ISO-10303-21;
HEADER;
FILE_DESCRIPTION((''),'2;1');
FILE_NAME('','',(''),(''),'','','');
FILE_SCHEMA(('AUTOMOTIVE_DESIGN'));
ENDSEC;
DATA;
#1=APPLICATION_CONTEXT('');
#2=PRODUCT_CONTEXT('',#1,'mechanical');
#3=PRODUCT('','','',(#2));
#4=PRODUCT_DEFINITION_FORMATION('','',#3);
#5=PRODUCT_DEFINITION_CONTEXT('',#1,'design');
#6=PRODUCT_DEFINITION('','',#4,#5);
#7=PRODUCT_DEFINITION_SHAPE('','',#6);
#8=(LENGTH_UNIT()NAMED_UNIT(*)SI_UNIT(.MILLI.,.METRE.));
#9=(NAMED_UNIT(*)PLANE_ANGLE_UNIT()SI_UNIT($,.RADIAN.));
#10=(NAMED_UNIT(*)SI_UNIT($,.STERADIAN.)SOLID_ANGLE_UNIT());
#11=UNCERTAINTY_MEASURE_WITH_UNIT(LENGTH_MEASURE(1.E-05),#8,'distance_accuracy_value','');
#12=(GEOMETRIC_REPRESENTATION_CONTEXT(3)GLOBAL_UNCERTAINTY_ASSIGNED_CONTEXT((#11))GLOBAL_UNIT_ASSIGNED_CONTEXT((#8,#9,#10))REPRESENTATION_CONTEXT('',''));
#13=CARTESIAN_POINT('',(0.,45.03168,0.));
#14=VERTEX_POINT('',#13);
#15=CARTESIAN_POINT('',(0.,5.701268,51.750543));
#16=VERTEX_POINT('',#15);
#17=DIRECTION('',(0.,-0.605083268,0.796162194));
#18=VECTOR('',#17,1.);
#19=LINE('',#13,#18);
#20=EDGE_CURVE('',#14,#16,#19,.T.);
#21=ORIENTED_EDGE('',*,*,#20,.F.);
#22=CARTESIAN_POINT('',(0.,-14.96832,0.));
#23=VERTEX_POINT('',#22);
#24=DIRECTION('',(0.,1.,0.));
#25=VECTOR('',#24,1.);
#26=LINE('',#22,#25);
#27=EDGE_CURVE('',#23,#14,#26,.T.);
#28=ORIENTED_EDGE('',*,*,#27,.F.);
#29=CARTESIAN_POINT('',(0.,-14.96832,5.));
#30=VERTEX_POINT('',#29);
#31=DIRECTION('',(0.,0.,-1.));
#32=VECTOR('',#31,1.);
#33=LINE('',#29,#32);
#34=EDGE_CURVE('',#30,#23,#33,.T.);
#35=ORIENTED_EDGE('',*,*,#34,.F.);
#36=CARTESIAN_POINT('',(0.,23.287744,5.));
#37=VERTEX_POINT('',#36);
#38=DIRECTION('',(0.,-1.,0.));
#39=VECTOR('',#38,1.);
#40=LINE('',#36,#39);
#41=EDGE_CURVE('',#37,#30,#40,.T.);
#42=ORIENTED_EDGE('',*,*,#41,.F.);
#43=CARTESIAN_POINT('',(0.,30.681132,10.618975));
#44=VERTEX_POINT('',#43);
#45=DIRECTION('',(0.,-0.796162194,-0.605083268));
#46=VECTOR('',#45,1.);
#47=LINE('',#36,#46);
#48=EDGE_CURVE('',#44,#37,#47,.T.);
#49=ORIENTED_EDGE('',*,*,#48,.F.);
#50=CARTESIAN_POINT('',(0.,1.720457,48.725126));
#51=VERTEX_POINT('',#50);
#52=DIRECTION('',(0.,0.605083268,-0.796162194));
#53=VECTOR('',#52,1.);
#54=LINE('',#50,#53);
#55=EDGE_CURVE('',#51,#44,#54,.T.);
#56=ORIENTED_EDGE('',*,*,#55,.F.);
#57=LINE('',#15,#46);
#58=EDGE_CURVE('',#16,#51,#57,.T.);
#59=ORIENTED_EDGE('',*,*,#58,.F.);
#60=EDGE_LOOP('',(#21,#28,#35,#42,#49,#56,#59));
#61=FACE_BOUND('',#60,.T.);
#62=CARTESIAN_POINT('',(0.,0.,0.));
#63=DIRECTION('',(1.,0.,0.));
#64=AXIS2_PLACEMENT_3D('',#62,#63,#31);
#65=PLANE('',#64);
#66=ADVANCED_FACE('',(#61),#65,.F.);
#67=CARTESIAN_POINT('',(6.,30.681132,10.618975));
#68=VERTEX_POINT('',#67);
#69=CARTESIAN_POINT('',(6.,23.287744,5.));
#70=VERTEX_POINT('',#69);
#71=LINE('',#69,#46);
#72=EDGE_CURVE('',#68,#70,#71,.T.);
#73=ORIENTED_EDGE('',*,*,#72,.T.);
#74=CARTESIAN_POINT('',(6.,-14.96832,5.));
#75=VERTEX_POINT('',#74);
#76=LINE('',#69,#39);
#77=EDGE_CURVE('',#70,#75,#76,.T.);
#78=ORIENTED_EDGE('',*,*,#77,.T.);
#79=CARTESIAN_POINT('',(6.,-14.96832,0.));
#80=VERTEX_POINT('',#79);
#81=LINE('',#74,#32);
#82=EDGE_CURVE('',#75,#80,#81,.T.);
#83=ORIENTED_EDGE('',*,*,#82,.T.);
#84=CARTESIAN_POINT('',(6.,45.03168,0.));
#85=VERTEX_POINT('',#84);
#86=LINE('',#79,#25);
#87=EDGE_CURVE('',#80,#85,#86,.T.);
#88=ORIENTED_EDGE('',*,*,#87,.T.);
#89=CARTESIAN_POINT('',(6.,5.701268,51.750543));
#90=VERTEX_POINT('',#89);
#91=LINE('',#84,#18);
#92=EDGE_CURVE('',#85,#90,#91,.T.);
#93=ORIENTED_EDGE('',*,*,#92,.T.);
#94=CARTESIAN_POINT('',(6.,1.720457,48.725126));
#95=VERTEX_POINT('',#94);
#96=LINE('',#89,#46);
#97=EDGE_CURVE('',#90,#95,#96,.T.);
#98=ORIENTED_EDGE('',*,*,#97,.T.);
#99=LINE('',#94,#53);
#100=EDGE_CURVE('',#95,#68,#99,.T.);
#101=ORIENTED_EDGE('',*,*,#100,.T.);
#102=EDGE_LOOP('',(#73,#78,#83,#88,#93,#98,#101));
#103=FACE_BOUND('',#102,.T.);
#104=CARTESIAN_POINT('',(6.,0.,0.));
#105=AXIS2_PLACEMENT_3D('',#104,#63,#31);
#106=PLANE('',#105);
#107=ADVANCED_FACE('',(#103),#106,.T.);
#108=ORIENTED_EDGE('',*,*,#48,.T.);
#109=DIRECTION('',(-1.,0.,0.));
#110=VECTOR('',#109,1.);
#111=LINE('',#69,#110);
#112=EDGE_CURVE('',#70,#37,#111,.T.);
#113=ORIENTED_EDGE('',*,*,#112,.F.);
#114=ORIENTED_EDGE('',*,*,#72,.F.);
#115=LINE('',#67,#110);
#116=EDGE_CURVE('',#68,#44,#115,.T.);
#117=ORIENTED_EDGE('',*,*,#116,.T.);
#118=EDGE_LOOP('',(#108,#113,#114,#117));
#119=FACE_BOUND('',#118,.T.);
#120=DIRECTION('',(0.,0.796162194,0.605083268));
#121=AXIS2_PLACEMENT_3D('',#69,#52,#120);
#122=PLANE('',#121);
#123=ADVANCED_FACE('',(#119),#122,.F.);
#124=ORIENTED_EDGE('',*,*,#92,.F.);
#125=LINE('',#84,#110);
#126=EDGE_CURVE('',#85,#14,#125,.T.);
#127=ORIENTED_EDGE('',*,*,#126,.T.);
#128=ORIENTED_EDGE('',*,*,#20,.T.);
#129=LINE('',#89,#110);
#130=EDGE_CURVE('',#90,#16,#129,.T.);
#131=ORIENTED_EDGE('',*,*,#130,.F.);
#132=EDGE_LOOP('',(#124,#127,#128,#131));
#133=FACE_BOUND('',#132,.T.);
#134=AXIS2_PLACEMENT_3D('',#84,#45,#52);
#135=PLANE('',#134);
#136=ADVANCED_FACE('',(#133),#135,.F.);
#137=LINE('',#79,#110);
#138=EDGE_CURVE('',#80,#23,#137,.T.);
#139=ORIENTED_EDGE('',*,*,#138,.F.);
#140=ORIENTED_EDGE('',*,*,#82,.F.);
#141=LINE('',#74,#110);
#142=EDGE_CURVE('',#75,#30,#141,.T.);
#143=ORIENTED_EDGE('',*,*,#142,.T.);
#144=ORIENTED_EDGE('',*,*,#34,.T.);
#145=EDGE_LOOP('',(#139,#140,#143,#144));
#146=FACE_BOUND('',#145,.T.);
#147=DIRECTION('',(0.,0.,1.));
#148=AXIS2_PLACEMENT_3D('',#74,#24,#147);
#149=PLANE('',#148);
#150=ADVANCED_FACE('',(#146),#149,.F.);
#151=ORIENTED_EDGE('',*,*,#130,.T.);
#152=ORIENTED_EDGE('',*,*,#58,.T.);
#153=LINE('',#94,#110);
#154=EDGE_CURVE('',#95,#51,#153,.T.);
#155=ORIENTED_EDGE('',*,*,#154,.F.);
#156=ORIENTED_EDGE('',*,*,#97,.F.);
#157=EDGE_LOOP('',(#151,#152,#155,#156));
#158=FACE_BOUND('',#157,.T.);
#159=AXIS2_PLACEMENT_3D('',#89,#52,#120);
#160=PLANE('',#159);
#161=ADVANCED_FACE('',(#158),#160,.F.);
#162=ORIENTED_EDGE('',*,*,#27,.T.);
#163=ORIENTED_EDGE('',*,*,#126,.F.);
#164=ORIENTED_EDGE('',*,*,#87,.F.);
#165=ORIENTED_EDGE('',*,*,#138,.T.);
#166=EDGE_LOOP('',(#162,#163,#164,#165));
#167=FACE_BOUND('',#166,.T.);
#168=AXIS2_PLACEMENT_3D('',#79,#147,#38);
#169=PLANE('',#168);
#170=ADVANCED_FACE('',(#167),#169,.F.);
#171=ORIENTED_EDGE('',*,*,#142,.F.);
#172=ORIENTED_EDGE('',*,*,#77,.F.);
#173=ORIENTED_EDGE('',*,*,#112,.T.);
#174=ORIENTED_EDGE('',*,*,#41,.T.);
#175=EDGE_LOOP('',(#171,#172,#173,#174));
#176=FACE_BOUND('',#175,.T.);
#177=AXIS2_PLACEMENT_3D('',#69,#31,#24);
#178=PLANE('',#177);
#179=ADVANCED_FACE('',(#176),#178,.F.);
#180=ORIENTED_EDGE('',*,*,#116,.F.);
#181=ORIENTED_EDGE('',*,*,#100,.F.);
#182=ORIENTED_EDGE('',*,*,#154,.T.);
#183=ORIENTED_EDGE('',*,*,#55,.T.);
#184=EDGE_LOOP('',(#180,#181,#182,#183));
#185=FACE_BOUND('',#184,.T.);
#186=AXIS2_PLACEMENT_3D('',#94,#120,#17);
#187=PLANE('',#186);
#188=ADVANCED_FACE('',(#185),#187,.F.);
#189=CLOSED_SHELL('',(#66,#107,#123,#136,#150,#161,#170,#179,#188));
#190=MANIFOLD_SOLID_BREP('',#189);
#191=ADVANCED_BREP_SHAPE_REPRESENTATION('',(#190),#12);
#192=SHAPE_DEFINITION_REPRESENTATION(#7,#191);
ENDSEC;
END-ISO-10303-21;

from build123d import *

# Parameters (mm, degrees)
BOSS_EXTRUDE1_DEPTH = 6


with BuildPart() as part:
    # Sketch1 → Boss-Extrude1 (new body)
    with BuildSketch(Plane(origin=(0, 0, 0), x_dir=(0, 0, -1), z_dir=(1, 0, 0))):
        Polygon((0, -14.968319992), (0, 45.031680008), (-51.750542618, 5.701267618), (-48.72512628, 1.720456648), (-10.618974655, 30.681131883), (-5, 23.287744178), (-5, -14.968319992), align=None)
    extrude(amount=BOSS_EXTRUDE1_DEPTH)


solid = part.part
